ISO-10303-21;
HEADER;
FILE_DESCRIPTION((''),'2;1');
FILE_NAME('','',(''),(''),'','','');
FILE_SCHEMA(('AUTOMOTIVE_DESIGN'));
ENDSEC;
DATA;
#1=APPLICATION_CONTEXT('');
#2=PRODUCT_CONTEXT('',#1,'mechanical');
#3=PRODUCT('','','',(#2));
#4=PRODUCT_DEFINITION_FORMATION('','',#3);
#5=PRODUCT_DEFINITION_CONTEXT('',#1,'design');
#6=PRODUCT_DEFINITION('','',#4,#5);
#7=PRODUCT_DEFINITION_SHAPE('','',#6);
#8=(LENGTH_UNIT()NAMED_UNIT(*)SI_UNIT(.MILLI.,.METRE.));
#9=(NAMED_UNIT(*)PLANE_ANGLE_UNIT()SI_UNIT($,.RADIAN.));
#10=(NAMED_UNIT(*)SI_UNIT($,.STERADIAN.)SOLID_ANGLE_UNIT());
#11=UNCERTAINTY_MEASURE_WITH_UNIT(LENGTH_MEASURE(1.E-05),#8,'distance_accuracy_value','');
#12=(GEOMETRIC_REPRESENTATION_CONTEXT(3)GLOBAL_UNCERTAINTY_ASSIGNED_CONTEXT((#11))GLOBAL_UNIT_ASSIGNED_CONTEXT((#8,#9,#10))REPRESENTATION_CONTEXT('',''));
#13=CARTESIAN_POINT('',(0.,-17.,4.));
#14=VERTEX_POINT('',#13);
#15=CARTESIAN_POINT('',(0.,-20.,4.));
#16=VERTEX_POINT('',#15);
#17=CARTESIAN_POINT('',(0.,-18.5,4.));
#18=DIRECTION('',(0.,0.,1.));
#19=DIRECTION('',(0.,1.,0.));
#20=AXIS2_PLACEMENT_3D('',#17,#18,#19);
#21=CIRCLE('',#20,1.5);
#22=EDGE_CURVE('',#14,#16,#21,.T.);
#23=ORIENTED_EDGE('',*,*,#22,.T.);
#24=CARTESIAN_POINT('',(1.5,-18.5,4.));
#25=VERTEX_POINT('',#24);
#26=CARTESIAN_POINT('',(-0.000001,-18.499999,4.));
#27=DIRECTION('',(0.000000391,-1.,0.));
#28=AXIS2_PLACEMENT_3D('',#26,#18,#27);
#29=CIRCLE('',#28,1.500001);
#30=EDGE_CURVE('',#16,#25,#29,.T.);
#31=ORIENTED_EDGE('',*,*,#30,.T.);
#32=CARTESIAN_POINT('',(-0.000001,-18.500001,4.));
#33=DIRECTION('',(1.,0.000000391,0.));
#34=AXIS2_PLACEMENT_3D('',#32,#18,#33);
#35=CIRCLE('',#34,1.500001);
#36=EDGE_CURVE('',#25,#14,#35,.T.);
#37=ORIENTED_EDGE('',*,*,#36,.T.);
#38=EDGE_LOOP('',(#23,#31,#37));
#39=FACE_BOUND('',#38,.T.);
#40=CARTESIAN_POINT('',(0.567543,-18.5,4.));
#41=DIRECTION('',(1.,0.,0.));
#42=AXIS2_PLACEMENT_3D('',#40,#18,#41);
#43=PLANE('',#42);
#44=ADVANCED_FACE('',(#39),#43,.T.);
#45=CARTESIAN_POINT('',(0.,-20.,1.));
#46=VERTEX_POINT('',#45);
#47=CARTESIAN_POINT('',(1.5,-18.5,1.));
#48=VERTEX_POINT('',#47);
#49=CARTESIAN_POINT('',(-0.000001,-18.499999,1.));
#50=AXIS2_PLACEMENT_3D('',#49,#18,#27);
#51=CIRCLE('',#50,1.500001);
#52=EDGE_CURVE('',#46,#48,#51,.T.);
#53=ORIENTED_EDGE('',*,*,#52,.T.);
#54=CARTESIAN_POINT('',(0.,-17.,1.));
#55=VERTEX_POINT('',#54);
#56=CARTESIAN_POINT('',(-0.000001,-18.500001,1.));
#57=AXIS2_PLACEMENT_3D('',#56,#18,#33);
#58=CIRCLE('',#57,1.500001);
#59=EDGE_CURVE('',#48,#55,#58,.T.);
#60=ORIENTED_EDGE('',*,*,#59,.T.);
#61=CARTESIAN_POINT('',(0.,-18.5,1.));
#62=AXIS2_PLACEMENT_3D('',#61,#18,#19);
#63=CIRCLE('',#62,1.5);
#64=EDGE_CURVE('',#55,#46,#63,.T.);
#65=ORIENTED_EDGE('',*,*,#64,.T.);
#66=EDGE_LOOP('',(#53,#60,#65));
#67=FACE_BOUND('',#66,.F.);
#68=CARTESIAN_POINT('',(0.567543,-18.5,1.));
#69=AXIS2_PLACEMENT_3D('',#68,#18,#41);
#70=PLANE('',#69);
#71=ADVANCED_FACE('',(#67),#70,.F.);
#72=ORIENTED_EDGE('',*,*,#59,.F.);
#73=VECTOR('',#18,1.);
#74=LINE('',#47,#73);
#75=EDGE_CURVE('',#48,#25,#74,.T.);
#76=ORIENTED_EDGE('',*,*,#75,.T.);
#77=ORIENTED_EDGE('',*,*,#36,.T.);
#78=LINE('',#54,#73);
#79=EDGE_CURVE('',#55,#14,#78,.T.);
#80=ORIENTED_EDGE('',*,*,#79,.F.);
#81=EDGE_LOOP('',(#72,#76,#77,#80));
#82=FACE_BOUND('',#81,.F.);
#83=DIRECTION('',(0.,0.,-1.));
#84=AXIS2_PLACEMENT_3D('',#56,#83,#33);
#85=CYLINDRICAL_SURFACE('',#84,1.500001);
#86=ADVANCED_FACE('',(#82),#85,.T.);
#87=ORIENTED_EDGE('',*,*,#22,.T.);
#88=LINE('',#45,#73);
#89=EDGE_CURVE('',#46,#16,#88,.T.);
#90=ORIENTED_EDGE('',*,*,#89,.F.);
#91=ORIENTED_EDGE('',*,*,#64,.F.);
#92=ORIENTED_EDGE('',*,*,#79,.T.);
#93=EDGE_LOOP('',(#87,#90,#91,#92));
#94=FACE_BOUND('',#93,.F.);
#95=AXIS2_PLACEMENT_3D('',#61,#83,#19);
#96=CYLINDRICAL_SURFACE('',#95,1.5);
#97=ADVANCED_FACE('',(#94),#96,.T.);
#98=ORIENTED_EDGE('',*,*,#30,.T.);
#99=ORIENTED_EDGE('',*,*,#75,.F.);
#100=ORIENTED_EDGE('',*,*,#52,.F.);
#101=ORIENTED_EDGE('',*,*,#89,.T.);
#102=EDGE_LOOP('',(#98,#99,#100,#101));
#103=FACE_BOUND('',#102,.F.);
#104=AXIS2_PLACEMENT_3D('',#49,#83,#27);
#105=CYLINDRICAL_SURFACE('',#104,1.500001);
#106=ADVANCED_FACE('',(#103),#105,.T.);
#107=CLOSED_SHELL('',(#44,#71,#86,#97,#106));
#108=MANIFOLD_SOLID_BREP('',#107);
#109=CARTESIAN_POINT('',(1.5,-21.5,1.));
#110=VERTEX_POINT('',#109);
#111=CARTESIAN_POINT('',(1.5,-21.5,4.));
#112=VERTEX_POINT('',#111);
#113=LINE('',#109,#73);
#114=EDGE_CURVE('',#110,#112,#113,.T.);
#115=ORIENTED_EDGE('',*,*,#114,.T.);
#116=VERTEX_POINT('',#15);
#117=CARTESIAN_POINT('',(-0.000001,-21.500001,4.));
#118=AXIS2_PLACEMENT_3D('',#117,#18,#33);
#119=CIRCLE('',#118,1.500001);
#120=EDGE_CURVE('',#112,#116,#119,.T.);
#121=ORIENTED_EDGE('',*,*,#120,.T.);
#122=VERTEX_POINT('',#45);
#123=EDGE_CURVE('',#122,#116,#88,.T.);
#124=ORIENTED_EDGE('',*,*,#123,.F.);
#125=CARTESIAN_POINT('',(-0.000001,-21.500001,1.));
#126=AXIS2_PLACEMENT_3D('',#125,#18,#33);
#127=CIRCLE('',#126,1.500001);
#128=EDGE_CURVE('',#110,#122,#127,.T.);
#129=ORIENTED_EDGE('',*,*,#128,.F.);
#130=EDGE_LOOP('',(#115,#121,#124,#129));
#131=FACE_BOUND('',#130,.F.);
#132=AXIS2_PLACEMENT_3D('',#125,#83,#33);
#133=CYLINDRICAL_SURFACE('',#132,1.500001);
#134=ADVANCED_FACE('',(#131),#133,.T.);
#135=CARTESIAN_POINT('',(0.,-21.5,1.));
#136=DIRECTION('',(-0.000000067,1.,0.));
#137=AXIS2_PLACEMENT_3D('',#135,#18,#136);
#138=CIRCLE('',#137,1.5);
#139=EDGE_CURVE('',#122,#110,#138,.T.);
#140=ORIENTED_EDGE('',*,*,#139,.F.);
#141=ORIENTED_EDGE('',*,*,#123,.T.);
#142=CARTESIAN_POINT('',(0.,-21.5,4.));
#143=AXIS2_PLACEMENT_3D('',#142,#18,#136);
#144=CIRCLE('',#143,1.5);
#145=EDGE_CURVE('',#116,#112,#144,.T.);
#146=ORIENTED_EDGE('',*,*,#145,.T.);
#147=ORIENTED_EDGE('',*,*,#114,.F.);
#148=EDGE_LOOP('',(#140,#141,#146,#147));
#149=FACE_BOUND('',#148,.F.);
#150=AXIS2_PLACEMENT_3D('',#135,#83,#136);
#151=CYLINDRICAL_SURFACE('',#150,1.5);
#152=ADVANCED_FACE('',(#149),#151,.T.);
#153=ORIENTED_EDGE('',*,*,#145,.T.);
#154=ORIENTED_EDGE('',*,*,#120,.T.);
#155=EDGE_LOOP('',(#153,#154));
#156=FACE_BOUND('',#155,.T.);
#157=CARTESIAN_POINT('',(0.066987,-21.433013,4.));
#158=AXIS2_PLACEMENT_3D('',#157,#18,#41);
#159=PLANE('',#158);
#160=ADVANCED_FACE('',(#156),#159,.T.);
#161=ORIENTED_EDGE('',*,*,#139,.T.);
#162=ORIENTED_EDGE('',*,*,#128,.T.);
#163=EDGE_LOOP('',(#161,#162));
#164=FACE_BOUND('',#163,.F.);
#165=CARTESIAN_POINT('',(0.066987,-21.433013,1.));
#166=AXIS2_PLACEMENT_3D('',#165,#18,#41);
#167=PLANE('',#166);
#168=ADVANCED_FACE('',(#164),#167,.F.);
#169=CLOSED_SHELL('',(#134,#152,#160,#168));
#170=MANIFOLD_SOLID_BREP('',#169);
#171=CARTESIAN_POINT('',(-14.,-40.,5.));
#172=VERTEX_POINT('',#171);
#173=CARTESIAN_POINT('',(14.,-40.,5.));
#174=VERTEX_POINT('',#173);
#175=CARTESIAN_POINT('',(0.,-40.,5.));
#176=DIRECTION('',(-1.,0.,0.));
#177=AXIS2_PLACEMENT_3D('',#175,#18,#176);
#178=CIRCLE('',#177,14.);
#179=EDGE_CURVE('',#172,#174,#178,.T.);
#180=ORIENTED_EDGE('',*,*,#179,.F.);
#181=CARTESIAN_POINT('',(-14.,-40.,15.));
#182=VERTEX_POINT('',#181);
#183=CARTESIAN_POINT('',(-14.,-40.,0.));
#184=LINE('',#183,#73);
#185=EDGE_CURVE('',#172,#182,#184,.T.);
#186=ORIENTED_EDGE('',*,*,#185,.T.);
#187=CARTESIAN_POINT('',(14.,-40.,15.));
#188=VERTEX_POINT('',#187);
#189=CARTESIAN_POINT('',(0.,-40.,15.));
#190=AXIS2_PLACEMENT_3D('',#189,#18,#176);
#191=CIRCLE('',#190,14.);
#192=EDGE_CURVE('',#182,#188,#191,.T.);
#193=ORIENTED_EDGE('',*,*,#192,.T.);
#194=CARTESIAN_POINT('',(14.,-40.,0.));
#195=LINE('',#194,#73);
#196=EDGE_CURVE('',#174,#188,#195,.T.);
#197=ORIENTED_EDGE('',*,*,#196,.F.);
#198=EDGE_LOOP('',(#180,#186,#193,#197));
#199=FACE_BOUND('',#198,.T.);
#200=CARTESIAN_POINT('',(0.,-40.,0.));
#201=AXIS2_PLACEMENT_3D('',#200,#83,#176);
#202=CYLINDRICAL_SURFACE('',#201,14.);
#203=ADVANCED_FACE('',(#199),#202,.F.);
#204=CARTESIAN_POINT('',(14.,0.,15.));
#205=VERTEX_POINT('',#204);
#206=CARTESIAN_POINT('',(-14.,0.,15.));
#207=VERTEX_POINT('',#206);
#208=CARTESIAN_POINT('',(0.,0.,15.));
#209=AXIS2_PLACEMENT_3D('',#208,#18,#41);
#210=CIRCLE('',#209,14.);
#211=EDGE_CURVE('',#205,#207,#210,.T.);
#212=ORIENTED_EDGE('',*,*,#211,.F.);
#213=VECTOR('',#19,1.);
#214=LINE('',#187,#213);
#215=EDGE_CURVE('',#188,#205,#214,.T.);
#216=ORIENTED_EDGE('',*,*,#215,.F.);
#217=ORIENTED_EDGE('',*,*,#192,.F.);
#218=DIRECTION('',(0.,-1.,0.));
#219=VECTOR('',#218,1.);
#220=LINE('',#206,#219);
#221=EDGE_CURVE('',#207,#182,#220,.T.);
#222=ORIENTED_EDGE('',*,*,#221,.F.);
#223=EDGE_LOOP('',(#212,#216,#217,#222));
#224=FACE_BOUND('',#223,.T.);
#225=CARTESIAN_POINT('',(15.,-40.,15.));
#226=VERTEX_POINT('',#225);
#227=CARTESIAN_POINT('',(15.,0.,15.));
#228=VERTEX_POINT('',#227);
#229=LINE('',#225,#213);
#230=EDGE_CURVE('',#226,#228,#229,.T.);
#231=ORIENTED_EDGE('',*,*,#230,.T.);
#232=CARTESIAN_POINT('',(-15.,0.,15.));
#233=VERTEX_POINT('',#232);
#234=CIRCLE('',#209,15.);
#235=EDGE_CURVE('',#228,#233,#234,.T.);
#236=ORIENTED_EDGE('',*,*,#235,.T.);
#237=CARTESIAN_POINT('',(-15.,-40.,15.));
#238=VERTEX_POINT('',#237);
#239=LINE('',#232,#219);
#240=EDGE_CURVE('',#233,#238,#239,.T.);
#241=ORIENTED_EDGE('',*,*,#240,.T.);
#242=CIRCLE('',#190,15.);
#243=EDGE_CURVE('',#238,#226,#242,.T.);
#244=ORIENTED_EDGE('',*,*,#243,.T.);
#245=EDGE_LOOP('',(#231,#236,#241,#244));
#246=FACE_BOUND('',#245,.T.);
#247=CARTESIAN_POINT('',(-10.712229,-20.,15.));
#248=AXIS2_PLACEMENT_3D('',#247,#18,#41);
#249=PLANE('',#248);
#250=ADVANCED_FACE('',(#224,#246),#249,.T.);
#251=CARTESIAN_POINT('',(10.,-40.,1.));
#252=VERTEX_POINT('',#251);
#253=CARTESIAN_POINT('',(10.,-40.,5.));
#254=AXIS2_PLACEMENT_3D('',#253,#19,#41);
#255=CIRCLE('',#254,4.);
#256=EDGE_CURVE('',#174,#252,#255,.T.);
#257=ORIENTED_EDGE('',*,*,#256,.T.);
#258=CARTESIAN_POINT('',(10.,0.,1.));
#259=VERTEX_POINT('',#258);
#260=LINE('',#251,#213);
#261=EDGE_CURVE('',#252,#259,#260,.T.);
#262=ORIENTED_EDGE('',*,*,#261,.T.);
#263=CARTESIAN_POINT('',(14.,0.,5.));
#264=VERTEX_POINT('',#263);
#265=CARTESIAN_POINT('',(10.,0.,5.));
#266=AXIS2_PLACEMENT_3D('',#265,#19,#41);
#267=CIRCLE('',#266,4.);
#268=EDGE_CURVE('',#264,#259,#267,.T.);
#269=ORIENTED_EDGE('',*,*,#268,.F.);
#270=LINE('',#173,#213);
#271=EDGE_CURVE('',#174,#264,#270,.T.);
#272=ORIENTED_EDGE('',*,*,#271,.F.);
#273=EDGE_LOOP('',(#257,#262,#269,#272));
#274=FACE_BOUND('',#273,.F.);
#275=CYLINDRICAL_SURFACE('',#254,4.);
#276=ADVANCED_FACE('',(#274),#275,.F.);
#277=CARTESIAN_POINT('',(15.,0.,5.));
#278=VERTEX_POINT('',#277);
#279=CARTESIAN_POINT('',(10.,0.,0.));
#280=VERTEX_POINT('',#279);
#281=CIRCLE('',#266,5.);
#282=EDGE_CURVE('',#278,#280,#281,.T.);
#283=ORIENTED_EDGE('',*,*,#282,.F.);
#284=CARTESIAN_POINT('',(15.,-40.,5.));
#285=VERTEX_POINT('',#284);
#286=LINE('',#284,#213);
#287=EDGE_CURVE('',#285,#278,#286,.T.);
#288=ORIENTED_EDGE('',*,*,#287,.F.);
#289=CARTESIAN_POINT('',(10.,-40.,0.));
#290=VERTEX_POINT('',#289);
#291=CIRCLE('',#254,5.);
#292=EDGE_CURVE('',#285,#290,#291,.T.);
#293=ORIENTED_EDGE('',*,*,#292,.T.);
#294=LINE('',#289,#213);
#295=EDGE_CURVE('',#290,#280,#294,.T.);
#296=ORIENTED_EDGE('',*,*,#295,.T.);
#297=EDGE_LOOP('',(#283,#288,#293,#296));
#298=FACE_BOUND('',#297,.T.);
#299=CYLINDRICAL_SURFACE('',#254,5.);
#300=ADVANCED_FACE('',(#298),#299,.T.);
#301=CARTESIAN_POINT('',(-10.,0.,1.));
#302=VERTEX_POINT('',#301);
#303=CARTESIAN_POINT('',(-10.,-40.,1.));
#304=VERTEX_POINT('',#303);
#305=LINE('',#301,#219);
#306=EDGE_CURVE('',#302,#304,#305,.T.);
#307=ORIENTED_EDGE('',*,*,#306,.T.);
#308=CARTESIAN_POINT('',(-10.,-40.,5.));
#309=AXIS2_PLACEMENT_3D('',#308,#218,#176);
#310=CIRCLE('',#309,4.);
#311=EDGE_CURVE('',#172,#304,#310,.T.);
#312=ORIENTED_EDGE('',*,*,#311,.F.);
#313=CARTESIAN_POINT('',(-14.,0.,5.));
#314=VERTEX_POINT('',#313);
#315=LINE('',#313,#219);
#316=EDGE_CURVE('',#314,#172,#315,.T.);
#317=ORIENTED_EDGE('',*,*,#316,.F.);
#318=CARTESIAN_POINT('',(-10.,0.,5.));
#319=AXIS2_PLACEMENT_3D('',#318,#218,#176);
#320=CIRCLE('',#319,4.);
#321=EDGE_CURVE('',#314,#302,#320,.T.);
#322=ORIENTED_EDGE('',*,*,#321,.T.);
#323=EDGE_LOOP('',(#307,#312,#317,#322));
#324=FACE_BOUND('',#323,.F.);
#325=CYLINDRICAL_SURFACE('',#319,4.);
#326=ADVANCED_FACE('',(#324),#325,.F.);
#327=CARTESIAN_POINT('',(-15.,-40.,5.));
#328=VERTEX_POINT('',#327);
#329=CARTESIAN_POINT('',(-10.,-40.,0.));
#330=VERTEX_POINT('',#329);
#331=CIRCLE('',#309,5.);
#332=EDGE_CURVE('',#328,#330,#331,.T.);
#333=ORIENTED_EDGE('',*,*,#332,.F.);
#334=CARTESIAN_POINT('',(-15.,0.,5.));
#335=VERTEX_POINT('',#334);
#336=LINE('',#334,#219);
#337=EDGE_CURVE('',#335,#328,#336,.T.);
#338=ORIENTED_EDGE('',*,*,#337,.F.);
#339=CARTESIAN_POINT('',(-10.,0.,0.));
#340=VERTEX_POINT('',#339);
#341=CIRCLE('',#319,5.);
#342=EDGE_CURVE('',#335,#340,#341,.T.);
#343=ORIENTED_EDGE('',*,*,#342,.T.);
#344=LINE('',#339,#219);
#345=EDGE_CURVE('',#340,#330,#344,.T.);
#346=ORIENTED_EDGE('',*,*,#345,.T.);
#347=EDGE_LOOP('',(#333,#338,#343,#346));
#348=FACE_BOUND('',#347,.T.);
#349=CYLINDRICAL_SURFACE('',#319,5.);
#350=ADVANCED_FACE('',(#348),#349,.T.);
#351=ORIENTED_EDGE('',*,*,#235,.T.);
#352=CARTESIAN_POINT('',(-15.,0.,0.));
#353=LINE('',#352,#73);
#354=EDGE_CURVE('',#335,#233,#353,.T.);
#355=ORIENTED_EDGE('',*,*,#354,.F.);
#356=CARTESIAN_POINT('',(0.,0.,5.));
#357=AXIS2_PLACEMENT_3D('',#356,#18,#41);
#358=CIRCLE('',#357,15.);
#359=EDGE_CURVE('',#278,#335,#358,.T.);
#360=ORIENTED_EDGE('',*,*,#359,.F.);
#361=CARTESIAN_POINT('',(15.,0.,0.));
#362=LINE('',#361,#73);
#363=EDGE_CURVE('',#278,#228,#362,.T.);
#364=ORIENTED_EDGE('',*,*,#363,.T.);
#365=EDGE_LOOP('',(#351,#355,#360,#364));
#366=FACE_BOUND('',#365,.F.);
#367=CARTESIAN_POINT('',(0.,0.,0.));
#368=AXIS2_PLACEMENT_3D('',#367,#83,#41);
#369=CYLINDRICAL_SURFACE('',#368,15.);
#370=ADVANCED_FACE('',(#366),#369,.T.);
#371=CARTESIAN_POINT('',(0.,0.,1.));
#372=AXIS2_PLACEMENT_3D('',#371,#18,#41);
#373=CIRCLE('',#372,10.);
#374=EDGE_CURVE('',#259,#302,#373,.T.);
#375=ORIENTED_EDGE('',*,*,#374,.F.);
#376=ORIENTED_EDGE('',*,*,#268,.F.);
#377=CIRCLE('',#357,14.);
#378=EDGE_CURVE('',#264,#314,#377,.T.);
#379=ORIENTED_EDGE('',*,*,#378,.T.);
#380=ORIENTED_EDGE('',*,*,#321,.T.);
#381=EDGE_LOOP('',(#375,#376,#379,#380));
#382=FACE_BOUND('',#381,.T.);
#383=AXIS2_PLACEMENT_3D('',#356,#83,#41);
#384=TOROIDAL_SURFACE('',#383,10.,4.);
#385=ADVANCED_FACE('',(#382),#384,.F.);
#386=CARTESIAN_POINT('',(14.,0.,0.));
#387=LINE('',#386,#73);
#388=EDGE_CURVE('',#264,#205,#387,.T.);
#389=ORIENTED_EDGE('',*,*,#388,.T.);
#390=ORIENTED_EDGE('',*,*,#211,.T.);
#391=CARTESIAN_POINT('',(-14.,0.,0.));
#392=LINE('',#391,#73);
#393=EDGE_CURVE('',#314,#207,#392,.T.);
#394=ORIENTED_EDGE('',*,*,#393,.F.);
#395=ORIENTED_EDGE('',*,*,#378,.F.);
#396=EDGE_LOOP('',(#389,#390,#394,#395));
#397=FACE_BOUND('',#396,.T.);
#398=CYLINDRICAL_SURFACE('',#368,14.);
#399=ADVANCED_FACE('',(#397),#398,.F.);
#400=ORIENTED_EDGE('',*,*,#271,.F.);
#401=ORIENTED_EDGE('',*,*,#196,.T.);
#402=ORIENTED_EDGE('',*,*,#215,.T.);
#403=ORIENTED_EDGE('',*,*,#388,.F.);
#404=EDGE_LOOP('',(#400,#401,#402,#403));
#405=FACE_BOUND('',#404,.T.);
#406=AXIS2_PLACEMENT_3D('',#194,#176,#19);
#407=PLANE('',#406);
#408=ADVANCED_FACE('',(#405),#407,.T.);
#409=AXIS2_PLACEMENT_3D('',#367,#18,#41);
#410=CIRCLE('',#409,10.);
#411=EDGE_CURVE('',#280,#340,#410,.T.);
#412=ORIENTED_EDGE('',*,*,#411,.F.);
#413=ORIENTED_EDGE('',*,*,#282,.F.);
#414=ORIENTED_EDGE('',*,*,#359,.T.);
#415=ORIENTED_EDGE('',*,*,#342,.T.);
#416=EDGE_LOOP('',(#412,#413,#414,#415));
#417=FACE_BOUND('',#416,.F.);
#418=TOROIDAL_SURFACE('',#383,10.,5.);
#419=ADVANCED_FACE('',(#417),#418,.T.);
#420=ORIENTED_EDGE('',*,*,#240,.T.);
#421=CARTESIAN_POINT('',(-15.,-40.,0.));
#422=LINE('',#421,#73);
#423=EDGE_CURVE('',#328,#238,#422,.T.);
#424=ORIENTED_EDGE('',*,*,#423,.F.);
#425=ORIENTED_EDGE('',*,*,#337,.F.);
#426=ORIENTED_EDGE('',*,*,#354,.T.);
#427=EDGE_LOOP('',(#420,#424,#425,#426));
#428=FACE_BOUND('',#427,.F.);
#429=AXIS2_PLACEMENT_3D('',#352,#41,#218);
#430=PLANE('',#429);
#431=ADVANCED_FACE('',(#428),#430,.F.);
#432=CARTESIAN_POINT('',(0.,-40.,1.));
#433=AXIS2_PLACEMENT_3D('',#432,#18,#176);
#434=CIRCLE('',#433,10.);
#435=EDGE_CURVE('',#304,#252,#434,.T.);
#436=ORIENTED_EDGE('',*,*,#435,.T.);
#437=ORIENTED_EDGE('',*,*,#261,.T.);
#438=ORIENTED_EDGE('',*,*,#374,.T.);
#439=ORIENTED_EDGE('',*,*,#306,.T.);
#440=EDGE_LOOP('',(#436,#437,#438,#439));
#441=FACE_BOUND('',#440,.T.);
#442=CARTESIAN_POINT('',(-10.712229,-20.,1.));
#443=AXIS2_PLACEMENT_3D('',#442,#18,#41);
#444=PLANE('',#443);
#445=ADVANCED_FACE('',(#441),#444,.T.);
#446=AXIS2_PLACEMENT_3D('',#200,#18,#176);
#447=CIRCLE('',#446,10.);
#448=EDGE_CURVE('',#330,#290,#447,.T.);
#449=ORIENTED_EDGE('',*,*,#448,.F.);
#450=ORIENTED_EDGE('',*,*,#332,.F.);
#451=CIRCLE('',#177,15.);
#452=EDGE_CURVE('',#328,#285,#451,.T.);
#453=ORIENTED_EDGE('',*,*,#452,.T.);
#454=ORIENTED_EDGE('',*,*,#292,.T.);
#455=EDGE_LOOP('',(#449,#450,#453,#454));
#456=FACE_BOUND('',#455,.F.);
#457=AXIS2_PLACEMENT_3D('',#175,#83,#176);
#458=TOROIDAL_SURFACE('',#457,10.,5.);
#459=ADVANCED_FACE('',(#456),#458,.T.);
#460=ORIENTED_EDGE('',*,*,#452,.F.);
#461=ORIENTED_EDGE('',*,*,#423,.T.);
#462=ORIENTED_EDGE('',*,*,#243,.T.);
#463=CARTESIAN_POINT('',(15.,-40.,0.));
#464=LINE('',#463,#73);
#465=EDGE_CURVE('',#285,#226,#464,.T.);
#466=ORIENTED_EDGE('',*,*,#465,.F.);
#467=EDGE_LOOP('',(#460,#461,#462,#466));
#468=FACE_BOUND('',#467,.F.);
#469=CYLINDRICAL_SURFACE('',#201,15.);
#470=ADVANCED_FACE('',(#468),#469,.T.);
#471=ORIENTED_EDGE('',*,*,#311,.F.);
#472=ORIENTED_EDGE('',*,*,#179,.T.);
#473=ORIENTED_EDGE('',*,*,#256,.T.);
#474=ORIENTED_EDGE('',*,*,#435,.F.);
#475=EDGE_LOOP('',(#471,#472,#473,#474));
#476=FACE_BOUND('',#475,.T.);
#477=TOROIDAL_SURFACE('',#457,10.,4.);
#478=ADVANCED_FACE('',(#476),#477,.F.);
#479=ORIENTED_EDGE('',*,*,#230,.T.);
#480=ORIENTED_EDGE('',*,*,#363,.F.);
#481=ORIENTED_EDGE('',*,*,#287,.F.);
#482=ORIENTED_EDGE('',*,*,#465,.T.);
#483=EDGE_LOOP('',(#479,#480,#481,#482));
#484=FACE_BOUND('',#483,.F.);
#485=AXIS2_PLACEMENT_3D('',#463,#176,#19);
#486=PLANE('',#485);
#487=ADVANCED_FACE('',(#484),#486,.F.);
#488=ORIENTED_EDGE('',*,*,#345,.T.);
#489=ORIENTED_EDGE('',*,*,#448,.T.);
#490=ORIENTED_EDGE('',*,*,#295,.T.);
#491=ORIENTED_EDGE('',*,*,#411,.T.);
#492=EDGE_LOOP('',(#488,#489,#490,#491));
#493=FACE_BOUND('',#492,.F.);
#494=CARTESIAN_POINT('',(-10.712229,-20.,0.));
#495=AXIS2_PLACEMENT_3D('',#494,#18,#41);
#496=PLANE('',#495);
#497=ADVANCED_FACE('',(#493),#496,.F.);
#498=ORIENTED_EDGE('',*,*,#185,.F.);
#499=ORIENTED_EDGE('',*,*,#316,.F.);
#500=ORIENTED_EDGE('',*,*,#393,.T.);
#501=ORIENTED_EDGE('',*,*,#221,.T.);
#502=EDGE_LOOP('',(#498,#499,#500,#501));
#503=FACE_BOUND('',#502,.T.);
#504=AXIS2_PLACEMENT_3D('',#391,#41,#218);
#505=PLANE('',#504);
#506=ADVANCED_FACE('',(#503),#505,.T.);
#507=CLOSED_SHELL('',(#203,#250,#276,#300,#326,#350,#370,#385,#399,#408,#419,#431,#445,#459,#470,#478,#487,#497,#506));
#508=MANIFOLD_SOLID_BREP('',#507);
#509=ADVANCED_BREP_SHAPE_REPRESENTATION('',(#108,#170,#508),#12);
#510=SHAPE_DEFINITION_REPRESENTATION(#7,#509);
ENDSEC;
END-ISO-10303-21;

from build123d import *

# Parameters (mm, degrees)
F1_DEPTH = 15
F2_R     = 5
F3_T     = -1
F5_DEPTH = 3


with BuildPart() as f1:
    # F0 (on Top) → F1 (new body)
    with BuildSketch(Plane.XY):
        with BuildLine():
            ThreePointArc((0, -15), (-10.606602, -10.606602), (-15, 0))
            Line((-15, 0), (-15, -40))
            ThreePointArc((-15, -40), (-10.606602, -29.393398), (0, -25))
            Line((0, -25), (0, -15))
        make_face()
        with BuildLine():
            Line((0, 0), (-15, 0))
            ThreePointArc((-15, 0), (-10.606602, -10.606602), (0, -15))
            Line((0, -15), (0, 0))
        make_face()
        with BuildLine():
            ThreePointArc((0, -15), (10.606602, -10.606602), (15, 0))
            Line((15, 0), (0, 0))
            Line((0, 0), (0, -15))
        make_face()
        with BuildLine():
            Line((15, -40), (15, 0))
            ThreePointArc((15, 0), (10.606602, -10.606602), (0, -15))
            Line((0, -15), (0, -25))
            ThreePointArc((0, -25), (10.606602, -29.393398), (15, -40))
        make_face()
        with BuildLine():
            Line((0, -40), (15, -40))
            ThreePointArc((15, -40), (10.606602, -29.393398), (0, -25))
            Line((0, -25), (0, -40))
        make_face()
        with BuildLine():
            ThreePointArc((0, -25), (-10.606602, -29.393398), (-15, -40))
            Line((-15, -40), (0, -40))
            Line((0, -40), (0, -25))
        make_face()
        with BuildLine():
            Line((0, 0), (15, 0))
            ThreePointArc((15, 0), (0, 15), (-15, 0))
            Line((-15, 0), (0, 0))
        make_face()
        with BuildLine():
            ThreePointArc((-15, -40), (0, -55), (15, -40))
            Line((15, -40), (0, -40))
            Line((0, -40), (-15, -40))
        make_face()
    extrude(amount=F1_DEPTH)

    # F2
    f2_edges = [f1.edges().sort_by_distance(p)[0] for p in [
        (0, 15, 0),
    ]]
    fillet(f2_edges, radius=F2_R)

    # F3
    f3_openings = [f1.faces().sort_by_distance(p)[0] for p in [
        (0, -20, 15),
    ]]
    offset(amount=F3_T, openings=f3_openings)


with BuildPart() as f5:
    # F4 (on face) → F5 (new body)
    with BuildSketch(Plane.XY.offset(1)):
        with BuildLine():
            ThreePointArc((1.5, -18.5), (1.06066, -17.43934), (0, -17))
            Line((0, -17), (0, -18.5))
            Line((0, -18.5), (0, -20))
            ThreePointArc((0, -20), (1.06066, -19.56066), (1.5, -18.5))
        make_face()
        with BuildLine():
            Line((0, -18.5), (0, -17))
            ThreePointArc((0, -17), (-1.5, -18.5), (0, -20))
            Line((0, -20), (0, -18.5))
        make_face()
        with BuildLine():
            ThreePointArc((1.5, -21.5), (1.06066, -20.43934), (0, -20))
            ThreePointArc((0, -20), (-1.06066, -22.56066), (1.5, -21.5))
        make_face()
    extrude(amount=F5_DEPTH)


solid = Compound([f1.part, f5.part])
